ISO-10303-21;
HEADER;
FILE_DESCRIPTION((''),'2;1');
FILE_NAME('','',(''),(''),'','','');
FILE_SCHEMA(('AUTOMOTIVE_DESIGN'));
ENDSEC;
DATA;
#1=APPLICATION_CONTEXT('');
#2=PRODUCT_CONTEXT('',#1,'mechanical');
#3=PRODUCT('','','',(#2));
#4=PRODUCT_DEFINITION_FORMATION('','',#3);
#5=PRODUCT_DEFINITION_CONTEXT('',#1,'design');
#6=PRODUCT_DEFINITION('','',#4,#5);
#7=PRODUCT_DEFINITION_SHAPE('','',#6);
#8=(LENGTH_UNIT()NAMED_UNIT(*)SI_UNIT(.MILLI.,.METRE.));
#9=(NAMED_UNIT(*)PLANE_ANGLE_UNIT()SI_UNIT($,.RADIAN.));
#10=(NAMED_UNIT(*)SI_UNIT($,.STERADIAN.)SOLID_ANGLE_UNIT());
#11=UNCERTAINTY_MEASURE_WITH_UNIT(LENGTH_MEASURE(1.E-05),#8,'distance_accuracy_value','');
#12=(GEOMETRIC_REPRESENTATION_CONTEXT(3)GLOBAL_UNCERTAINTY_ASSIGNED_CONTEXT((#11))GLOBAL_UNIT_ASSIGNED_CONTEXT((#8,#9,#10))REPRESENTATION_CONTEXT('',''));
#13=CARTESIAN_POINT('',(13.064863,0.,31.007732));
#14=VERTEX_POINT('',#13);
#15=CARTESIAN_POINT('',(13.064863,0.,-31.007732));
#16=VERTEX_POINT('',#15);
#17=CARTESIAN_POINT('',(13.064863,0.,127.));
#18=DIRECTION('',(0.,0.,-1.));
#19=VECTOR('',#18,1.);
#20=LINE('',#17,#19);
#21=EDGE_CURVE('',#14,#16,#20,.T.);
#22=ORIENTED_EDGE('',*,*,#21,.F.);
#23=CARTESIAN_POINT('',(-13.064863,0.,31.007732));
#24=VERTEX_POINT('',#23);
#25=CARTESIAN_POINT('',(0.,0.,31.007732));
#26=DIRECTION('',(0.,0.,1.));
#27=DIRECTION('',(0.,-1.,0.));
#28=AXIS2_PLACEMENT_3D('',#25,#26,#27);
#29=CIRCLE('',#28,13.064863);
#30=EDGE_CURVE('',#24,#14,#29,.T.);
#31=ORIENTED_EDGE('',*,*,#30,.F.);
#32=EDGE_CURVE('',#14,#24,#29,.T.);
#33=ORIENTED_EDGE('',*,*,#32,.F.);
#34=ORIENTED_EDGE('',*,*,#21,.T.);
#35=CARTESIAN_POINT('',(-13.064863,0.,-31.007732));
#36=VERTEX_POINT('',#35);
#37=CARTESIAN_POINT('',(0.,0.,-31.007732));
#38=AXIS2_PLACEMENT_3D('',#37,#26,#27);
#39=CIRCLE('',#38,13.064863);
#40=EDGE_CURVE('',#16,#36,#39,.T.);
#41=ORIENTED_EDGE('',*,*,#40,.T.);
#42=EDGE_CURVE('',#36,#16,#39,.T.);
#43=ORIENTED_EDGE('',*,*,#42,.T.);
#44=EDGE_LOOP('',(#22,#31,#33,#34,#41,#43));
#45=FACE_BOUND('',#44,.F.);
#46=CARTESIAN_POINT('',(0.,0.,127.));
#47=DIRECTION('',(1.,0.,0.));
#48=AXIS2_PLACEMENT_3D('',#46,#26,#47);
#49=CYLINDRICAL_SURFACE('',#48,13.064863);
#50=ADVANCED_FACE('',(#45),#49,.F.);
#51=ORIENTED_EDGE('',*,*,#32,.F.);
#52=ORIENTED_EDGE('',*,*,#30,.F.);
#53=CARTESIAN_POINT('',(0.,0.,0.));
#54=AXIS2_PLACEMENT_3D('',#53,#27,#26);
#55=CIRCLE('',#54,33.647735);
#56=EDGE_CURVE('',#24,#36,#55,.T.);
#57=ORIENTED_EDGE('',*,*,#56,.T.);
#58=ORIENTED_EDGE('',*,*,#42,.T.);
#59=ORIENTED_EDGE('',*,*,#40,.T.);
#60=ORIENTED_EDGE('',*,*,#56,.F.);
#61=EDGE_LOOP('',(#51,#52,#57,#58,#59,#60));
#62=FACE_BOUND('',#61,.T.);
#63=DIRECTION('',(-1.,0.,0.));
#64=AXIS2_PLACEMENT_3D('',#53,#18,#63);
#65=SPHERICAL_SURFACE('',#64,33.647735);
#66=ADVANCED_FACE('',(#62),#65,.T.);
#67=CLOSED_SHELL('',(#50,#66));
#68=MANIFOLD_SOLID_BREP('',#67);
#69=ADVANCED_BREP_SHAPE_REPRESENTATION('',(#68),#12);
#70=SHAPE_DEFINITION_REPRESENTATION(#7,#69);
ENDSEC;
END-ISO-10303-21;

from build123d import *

# Parameters (mm, degrees)
F3_R     = 13.064863
F4_DEPTH = 381


with BuildPart() as f1:
    # F0 (on Front) → F1 (revolve)
    with BuildSketch(Plane.XZ):
        with BuildLine():
            Line((0, -33.647735), (0, 33.647735))
            ThreePointArc((0, 33.647735), (-33.647735, 0), (0, -33.647735))
        make_face()
    revolve(axis=Axis((0, 0, -1.367694), (0, 0, -1)))

    # F3 (on offset) → F4 (cut)
    with BuildSketch(Plane.XY.offset(127)):
        Circle(F3_R)
    extrude(amount=-F4_DEPTH, mode=Mode.SUBTRACT)


solid = f1.part
